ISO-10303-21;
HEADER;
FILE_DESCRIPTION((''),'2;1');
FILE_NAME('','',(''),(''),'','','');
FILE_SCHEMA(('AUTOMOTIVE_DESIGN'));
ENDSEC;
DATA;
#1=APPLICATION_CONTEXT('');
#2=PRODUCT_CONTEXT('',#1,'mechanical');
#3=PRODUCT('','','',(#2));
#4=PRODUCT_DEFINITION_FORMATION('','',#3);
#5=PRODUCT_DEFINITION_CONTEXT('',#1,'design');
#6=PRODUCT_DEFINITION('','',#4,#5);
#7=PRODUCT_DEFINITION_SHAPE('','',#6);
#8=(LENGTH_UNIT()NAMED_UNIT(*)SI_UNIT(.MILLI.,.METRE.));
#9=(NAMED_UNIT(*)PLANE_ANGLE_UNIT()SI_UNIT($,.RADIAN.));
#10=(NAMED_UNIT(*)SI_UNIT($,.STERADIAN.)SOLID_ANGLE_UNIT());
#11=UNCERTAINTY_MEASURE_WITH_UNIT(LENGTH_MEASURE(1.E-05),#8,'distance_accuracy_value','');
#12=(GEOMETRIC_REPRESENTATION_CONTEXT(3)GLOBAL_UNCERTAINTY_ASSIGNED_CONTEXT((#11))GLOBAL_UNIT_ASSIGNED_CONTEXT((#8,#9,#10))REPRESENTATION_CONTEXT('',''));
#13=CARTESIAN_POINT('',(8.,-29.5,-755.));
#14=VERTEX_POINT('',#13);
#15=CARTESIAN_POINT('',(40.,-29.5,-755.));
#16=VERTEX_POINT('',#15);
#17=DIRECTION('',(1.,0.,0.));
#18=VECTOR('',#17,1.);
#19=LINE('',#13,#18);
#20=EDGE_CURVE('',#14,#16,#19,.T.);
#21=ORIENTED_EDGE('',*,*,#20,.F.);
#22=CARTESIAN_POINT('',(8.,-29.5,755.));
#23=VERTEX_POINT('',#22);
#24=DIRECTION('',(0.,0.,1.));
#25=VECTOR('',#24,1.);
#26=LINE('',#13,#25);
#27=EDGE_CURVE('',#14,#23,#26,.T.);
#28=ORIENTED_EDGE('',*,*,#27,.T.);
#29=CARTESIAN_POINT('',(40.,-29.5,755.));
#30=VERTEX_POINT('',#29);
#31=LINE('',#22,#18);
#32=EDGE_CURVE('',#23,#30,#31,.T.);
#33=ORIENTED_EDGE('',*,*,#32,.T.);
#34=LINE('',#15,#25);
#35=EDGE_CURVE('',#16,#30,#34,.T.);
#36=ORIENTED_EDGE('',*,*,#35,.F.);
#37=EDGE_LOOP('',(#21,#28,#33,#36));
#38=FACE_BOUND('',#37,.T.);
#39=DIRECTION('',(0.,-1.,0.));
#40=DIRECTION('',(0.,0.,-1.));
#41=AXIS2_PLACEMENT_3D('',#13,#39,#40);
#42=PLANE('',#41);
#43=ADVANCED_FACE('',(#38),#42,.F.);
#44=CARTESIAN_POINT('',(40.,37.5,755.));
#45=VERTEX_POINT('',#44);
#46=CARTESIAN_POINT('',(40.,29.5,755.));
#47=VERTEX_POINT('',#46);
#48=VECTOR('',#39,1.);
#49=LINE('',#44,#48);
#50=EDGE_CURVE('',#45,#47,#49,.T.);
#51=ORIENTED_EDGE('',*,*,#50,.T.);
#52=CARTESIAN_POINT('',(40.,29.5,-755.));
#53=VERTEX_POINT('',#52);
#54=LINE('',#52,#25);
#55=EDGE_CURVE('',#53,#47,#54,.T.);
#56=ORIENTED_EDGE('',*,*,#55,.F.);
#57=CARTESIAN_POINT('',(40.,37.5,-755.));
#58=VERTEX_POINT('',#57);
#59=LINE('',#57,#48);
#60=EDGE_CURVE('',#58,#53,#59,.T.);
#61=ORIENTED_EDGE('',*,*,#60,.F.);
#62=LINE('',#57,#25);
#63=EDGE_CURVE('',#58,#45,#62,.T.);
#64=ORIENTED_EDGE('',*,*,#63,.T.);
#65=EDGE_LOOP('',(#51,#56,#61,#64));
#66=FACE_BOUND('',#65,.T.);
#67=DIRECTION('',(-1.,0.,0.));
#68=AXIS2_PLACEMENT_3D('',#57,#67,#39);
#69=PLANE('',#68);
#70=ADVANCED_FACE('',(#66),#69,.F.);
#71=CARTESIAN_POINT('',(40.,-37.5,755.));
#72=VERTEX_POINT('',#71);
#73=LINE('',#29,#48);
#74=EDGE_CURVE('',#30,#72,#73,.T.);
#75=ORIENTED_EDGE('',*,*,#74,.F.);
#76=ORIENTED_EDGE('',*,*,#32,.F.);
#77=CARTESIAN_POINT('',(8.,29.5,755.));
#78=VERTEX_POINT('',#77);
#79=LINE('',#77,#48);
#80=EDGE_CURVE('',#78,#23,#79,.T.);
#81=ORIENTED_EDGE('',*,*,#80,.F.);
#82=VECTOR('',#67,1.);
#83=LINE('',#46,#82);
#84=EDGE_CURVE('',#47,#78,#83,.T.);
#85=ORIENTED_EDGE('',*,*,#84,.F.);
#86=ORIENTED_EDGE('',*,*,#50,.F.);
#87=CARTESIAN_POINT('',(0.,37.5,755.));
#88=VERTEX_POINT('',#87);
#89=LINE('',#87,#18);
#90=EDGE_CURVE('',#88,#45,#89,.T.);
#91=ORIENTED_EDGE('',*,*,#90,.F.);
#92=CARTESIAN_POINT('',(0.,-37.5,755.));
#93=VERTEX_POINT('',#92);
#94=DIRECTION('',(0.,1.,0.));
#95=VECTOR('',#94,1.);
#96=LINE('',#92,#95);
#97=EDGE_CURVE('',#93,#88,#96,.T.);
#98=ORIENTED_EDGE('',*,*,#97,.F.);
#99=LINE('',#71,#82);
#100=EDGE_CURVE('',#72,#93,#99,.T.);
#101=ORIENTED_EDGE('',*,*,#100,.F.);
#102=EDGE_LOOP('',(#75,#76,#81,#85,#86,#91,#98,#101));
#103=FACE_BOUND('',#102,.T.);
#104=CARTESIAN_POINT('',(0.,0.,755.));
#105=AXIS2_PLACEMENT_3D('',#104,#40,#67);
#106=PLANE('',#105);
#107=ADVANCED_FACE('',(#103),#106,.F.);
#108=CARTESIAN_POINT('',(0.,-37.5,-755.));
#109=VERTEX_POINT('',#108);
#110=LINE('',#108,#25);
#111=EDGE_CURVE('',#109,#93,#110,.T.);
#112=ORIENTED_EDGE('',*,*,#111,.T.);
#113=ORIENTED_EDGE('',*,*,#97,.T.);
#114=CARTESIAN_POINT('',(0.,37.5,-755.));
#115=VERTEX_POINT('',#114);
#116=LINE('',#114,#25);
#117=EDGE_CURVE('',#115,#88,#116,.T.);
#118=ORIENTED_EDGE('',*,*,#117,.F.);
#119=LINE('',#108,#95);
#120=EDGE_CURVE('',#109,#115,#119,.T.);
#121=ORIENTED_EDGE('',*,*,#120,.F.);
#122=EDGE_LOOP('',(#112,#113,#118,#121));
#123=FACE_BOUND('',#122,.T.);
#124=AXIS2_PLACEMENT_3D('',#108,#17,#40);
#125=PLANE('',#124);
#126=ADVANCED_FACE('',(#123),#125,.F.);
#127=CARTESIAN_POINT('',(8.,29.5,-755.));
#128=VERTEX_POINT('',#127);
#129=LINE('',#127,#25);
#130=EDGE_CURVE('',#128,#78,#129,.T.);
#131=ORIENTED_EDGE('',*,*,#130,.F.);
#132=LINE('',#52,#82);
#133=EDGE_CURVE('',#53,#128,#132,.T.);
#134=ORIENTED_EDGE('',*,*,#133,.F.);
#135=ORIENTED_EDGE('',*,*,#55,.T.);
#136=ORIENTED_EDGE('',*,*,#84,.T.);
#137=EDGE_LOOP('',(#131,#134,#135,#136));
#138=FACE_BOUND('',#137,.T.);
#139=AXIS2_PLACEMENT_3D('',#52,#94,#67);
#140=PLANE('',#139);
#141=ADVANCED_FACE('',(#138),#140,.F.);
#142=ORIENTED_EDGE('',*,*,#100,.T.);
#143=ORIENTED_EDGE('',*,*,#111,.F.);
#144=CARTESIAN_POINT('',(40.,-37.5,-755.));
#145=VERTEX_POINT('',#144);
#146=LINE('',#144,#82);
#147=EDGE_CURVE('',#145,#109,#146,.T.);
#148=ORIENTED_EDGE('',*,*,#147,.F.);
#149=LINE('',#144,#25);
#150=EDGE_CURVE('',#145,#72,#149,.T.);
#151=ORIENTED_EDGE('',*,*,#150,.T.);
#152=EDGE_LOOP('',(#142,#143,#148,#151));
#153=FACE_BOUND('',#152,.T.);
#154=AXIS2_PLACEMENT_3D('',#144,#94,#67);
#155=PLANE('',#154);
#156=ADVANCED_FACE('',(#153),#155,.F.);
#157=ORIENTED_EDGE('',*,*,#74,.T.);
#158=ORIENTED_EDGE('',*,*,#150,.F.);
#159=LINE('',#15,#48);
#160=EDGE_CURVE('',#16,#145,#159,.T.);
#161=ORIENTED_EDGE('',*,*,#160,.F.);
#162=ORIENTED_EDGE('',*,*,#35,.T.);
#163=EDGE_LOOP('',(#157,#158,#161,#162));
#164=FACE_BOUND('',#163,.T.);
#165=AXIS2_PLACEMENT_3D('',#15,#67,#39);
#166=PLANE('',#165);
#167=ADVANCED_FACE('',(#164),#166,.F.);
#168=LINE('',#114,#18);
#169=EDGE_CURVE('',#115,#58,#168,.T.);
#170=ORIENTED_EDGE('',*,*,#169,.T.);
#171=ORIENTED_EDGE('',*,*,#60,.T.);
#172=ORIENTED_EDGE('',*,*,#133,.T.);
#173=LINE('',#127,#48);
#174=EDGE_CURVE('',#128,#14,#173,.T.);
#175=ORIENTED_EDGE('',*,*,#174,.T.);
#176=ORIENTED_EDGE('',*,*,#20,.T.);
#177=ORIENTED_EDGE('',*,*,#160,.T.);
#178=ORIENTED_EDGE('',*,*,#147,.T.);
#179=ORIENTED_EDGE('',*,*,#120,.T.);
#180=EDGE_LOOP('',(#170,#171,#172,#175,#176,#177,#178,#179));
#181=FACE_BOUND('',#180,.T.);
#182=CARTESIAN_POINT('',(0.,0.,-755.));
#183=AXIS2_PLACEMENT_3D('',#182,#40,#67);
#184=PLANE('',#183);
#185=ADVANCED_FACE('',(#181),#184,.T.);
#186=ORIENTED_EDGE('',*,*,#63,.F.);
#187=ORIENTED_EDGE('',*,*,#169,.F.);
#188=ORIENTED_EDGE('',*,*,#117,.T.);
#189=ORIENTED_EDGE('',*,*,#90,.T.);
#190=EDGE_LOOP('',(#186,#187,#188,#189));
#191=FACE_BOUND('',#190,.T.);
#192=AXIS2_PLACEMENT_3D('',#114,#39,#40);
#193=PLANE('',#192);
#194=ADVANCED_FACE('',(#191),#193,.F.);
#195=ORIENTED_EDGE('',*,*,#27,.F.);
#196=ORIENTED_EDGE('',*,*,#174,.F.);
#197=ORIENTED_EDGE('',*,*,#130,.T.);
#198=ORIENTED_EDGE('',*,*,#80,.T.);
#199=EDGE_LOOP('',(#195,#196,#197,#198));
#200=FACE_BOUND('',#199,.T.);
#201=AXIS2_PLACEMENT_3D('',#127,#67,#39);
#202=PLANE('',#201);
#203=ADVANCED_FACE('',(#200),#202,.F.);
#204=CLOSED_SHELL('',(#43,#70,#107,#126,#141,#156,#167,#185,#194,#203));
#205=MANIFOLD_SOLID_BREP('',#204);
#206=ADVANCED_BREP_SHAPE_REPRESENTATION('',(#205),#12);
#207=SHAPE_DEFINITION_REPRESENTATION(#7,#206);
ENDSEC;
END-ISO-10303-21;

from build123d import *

# Parameters (mm, degrees)
C_CHANNEL_80_X_8_1_DEPTH = 1510


with BuildPart() as part:
    # Sketch11 → C channel 80 X 8(1) (new body)
    with BuildSketch(Plane(origin=(0, 0, 755), x_dir=(-1, 0, 0), z_dir=(0, 0, -1))):
        Polygon((0, -37.5), (0, 37.5), (-40, 37.5), (-40, 29.5), (-8, 29.5), (-8, -29.5), (-40, -29.5), (-40, -37.5), align=None)
    extrude(amount=C_CHANNEL_80_X_8_1_DEPTH)


solid = part.part
